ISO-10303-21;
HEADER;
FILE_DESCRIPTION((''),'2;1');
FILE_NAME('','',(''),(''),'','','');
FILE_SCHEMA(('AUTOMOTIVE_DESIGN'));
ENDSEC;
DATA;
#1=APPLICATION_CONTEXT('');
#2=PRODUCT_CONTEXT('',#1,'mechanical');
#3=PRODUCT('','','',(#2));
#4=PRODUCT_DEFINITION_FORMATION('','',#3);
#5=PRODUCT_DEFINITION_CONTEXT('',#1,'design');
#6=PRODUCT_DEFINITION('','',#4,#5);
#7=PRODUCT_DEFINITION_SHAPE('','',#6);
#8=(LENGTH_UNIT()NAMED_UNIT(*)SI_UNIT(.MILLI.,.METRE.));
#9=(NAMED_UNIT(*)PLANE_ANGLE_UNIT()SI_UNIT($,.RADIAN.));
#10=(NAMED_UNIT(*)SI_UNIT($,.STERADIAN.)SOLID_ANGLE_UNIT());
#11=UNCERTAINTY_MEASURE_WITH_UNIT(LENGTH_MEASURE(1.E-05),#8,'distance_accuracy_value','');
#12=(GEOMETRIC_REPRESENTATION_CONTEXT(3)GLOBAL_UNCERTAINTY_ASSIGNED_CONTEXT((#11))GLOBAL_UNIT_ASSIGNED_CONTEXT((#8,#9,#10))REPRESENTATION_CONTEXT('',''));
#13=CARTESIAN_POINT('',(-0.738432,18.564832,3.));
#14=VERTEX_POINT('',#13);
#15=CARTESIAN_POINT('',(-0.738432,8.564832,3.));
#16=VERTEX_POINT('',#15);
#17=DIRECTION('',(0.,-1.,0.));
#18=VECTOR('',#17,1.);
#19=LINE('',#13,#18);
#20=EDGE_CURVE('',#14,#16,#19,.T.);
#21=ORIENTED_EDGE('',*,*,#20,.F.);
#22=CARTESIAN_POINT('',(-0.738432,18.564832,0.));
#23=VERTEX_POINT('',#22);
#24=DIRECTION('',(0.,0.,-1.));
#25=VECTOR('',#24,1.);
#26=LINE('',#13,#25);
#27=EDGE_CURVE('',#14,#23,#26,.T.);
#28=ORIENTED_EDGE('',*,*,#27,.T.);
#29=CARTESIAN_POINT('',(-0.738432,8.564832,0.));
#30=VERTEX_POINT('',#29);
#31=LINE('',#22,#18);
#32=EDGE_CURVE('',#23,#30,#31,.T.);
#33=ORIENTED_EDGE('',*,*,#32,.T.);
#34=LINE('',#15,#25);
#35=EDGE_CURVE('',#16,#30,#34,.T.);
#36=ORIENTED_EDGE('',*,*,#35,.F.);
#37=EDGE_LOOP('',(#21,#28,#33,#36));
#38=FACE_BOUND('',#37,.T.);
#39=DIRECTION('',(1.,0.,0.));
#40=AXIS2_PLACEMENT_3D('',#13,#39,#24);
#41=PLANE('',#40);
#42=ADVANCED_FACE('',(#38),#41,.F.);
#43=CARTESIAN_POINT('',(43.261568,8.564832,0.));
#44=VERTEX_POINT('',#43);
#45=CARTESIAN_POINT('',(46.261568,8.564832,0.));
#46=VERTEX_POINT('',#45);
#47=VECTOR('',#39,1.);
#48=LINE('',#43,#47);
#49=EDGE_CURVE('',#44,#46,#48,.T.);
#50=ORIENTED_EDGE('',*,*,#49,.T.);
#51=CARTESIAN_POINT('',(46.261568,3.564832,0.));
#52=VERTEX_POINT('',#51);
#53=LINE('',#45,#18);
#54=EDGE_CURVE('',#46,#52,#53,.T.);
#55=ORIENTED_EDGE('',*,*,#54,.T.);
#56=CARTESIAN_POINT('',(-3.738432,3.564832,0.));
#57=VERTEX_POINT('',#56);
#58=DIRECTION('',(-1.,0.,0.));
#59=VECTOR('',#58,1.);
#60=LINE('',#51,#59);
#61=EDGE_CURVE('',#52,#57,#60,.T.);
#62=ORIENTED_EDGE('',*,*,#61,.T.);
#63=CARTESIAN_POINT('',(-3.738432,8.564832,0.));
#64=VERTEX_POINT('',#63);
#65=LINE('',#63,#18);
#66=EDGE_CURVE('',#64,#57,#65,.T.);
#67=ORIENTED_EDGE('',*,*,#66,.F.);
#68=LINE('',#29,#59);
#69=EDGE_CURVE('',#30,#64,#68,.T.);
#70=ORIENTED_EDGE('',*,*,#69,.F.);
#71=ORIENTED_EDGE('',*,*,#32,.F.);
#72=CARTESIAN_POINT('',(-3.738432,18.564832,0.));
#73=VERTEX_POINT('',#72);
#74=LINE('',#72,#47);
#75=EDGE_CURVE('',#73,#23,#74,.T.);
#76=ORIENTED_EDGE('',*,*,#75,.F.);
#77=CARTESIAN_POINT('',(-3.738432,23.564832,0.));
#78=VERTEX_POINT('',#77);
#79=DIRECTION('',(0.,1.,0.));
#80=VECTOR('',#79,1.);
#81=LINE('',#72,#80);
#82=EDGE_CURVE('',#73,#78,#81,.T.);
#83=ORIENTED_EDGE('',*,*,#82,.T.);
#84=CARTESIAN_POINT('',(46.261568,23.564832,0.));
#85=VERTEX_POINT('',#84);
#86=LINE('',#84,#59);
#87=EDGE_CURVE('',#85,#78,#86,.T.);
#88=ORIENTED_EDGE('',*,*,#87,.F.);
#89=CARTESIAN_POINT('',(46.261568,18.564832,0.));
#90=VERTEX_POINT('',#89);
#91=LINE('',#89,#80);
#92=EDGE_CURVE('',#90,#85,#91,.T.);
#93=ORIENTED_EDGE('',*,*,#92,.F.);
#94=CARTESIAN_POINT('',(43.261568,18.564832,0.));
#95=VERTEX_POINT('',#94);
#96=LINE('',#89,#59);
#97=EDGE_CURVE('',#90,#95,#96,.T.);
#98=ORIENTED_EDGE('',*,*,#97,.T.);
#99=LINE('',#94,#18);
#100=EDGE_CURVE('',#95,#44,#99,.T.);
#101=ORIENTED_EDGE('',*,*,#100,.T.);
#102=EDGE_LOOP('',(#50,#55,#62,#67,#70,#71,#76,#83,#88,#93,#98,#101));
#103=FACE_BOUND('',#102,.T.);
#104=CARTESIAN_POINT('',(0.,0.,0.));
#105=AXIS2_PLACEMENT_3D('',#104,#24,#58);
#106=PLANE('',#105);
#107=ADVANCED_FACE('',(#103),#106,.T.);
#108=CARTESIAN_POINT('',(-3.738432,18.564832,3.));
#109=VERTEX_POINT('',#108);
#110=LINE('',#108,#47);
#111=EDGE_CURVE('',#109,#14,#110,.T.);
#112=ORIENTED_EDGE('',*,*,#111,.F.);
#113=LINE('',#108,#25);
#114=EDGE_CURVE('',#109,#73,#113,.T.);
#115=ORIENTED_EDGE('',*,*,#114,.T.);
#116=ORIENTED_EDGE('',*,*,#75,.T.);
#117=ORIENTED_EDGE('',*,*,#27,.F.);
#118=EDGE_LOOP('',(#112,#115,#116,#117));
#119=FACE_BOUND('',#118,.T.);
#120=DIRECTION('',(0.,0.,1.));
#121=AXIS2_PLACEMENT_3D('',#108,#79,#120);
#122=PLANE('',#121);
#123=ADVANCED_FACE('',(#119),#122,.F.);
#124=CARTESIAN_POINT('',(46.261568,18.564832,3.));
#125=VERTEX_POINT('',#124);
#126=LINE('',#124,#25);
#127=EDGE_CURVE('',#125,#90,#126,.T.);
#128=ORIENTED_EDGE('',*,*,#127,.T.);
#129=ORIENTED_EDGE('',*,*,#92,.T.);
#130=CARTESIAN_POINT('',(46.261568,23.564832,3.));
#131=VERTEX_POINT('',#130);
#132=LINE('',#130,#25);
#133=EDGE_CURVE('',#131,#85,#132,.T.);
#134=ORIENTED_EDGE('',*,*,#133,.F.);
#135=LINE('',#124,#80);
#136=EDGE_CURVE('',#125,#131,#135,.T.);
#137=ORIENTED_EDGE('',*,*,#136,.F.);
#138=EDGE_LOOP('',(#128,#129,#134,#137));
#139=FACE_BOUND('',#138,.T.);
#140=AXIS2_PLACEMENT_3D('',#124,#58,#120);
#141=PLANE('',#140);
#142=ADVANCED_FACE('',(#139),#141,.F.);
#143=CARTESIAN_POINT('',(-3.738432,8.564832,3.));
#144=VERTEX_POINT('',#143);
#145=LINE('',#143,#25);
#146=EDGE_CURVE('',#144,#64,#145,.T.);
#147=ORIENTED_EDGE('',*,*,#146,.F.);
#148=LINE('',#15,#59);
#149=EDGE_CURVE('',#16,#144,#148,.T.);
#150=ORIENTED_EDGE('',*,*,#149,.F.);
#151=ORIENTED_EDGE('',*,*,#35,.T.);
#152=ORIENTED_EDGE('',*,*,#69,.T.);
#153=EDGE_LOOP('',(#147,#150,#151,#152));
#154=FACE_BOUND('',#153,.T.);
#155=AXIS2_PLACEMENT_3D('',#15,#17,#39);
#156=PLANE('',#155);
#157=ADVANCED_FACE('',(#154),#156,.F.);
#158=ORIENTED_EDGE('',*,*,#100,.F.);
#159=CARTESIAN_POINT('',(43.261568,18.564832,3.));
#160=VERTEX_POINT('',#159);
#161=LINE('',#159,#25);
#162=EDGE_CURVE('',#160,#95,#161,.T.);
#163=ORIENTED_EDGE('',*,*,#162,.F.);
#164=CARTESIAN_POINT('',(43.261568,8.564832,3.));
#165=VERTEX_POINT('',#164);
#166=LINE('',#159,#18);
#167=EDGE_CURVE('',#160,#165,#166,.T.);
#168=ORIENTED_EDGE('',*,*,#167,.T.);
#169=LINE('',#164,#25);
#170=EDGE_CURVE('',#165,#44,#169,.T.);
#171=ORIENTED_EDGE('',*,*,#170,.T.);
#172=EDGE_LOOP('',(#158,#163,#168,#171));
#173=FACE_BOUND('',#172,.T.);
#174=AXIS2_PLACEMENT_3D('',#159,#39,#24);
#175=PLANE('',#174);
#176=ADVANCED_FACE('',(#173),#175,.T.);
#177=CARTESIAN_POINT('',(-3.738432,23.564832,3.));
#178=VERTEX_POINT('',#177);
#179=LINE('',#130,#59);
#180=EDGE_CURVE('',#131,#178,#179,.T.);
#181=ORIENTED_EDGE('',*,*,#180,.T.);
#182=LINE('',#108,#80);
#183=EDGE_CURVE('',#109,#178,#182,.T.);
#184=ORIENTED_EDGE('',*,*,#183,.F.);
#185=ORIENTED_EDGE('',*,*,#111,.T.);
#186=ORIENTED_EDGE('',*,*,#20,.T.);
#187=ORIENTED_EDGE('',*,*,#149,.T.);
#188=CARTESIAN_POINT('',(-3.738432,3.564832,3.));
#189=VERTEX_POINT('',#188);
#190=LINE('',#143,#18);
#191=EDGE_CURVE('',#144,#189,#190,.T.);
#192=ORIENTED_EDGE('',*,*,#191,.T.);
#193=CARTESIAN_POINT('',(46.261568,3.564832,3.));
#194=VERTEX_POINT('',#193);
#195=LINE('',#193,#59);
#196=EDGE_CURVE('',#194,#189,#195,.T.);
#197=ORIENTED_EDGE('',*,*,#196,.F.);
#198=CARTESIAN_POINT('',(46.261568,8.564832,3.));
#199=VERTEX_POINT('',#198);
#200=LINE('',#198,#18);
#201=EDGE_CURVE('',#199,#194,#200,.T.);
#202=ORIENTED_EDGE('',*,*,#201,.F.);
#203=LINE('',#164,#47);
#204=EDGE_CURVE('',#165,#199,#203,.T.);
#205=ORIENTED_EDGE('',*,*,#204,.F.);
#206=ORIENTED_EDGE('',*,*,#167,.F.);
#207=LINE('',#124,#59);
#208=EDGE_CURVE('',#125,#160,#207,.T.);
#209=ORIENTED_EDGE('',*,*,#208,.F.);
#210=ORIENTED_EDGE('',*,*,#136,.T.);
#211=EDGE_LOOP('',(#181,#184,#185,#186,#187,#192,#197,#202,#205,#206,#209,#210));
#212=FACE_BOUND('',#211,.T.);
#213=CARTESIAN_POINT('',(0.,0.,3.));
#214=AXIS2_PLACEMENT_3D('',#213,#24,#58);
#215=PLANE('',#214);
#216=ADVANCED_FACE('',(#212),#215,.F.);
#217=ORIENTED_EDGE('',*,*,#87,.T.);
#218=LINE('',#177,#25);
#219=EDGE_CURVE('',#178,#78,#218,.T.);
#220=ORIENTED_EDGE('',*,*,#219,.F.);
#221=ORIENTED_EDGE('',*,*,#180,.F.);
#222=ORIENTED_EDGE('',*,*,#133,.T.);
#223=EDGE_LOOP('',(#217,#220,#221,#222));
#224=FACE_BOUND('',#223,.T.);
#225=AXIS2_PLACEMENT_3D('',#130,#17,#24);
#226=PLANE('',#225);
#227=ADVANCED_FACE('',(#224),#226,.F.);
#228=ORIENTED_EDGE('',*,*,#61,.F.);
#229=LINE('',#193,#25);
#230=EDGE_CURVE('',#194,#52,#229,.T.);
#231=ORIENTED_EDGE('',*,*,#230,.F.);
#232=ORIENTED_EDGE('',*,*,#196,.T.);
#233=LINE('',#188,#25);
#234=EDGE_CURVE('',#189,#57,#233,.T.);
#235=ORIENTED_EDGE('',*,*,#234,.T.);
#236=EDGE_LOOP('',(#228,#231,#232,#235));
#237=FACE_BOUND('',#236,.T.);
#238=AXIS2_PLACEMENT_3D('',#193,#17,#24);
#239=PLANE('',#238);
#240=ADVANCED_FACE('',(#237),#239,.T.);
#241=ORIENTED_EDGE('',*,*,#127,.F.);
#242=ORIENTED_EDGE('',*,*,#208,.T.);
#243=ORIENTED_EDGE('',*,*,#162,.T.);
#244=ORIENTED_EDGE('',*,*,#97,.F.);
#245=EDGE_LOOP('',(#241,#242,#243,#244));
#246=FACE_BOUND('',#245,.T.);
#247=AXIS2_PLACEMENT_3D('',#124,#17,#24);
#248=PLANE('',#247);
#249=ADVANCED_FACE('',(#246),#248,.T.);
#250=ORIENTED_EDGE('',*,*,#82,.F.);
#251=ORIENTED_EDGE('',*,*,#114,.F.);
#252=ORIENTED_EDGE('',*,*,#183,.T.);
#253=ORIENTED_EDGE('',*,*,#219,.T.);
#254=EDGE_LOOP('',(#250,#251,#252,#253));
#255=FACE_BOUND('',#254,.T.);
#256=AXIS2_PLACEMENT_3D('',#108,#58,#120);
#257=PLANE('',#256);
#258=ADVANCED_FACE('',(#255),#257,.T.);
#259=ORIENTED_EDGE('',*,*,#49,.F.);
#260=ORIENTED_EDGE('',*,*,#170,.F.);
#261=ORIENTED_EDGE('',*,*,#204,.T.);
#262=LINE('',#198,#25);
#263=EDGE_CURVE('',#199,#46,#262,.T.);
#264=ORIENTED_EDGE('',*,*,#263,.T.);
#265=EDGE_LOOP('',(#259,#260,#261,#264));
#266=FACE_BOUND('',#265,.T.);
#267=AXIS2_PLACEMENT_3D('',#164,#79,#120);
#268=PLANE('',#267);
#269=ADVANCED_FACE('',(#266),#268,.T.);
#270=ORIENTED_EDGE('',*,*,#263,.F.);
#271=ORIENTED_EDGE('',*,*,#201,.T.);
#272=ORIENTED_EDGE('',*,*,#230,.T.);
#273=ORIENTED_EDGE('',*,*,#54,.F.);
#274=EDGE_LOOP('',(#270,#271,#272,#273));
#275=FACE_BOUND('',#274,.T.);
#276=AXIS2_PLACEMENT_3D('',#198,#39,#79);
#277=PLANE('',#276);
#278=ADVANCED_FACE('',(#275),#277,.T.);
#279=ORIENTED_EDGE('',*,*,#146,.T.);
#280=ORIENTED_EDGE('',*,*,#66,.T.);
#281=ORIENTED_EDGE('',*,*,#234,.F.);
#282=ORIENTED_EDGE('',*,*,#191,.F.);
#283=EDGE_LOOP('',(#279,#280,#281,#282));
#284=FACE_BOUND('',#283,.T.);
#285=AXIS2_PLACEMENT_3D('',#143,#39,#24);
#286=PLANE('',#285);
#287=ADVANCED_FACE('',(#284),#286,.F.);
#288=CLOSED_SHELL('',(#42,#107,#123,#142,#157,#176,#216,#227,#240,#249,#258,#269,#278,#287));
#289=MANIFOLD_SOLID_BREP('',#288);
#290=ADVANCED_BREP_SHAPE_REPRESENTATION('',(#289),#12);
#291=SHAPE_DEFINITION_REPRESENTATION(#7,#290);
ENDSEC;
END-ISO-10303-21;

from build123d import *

# Parameters (mm, degrees)
SALIENTE_EXTRUIR1_DEPTH = 3


with BuildPart() as part:
    # Model → Saliente-Extruir1 (new body)
    with BuildSketch(Plane.XY):
        Polygon((46.261568, 3.564832), (-3.738432, 3.564832), (-3.738432, 8.564832), (-0.738432, 8.564832), (-0.738432, 18.564832), (-3.738432, 18.564832), (-3.738432, 23.564832), (46.261568, 23.564832), (46.261568, 18.564832), (43.261568, 18.564832), (43.261568, 8.564832), (46.261568, 8.564832), align=None)
    extrude(amount=SALIENTE_EXTRUIR1_DEPTH)


solid = part.part
